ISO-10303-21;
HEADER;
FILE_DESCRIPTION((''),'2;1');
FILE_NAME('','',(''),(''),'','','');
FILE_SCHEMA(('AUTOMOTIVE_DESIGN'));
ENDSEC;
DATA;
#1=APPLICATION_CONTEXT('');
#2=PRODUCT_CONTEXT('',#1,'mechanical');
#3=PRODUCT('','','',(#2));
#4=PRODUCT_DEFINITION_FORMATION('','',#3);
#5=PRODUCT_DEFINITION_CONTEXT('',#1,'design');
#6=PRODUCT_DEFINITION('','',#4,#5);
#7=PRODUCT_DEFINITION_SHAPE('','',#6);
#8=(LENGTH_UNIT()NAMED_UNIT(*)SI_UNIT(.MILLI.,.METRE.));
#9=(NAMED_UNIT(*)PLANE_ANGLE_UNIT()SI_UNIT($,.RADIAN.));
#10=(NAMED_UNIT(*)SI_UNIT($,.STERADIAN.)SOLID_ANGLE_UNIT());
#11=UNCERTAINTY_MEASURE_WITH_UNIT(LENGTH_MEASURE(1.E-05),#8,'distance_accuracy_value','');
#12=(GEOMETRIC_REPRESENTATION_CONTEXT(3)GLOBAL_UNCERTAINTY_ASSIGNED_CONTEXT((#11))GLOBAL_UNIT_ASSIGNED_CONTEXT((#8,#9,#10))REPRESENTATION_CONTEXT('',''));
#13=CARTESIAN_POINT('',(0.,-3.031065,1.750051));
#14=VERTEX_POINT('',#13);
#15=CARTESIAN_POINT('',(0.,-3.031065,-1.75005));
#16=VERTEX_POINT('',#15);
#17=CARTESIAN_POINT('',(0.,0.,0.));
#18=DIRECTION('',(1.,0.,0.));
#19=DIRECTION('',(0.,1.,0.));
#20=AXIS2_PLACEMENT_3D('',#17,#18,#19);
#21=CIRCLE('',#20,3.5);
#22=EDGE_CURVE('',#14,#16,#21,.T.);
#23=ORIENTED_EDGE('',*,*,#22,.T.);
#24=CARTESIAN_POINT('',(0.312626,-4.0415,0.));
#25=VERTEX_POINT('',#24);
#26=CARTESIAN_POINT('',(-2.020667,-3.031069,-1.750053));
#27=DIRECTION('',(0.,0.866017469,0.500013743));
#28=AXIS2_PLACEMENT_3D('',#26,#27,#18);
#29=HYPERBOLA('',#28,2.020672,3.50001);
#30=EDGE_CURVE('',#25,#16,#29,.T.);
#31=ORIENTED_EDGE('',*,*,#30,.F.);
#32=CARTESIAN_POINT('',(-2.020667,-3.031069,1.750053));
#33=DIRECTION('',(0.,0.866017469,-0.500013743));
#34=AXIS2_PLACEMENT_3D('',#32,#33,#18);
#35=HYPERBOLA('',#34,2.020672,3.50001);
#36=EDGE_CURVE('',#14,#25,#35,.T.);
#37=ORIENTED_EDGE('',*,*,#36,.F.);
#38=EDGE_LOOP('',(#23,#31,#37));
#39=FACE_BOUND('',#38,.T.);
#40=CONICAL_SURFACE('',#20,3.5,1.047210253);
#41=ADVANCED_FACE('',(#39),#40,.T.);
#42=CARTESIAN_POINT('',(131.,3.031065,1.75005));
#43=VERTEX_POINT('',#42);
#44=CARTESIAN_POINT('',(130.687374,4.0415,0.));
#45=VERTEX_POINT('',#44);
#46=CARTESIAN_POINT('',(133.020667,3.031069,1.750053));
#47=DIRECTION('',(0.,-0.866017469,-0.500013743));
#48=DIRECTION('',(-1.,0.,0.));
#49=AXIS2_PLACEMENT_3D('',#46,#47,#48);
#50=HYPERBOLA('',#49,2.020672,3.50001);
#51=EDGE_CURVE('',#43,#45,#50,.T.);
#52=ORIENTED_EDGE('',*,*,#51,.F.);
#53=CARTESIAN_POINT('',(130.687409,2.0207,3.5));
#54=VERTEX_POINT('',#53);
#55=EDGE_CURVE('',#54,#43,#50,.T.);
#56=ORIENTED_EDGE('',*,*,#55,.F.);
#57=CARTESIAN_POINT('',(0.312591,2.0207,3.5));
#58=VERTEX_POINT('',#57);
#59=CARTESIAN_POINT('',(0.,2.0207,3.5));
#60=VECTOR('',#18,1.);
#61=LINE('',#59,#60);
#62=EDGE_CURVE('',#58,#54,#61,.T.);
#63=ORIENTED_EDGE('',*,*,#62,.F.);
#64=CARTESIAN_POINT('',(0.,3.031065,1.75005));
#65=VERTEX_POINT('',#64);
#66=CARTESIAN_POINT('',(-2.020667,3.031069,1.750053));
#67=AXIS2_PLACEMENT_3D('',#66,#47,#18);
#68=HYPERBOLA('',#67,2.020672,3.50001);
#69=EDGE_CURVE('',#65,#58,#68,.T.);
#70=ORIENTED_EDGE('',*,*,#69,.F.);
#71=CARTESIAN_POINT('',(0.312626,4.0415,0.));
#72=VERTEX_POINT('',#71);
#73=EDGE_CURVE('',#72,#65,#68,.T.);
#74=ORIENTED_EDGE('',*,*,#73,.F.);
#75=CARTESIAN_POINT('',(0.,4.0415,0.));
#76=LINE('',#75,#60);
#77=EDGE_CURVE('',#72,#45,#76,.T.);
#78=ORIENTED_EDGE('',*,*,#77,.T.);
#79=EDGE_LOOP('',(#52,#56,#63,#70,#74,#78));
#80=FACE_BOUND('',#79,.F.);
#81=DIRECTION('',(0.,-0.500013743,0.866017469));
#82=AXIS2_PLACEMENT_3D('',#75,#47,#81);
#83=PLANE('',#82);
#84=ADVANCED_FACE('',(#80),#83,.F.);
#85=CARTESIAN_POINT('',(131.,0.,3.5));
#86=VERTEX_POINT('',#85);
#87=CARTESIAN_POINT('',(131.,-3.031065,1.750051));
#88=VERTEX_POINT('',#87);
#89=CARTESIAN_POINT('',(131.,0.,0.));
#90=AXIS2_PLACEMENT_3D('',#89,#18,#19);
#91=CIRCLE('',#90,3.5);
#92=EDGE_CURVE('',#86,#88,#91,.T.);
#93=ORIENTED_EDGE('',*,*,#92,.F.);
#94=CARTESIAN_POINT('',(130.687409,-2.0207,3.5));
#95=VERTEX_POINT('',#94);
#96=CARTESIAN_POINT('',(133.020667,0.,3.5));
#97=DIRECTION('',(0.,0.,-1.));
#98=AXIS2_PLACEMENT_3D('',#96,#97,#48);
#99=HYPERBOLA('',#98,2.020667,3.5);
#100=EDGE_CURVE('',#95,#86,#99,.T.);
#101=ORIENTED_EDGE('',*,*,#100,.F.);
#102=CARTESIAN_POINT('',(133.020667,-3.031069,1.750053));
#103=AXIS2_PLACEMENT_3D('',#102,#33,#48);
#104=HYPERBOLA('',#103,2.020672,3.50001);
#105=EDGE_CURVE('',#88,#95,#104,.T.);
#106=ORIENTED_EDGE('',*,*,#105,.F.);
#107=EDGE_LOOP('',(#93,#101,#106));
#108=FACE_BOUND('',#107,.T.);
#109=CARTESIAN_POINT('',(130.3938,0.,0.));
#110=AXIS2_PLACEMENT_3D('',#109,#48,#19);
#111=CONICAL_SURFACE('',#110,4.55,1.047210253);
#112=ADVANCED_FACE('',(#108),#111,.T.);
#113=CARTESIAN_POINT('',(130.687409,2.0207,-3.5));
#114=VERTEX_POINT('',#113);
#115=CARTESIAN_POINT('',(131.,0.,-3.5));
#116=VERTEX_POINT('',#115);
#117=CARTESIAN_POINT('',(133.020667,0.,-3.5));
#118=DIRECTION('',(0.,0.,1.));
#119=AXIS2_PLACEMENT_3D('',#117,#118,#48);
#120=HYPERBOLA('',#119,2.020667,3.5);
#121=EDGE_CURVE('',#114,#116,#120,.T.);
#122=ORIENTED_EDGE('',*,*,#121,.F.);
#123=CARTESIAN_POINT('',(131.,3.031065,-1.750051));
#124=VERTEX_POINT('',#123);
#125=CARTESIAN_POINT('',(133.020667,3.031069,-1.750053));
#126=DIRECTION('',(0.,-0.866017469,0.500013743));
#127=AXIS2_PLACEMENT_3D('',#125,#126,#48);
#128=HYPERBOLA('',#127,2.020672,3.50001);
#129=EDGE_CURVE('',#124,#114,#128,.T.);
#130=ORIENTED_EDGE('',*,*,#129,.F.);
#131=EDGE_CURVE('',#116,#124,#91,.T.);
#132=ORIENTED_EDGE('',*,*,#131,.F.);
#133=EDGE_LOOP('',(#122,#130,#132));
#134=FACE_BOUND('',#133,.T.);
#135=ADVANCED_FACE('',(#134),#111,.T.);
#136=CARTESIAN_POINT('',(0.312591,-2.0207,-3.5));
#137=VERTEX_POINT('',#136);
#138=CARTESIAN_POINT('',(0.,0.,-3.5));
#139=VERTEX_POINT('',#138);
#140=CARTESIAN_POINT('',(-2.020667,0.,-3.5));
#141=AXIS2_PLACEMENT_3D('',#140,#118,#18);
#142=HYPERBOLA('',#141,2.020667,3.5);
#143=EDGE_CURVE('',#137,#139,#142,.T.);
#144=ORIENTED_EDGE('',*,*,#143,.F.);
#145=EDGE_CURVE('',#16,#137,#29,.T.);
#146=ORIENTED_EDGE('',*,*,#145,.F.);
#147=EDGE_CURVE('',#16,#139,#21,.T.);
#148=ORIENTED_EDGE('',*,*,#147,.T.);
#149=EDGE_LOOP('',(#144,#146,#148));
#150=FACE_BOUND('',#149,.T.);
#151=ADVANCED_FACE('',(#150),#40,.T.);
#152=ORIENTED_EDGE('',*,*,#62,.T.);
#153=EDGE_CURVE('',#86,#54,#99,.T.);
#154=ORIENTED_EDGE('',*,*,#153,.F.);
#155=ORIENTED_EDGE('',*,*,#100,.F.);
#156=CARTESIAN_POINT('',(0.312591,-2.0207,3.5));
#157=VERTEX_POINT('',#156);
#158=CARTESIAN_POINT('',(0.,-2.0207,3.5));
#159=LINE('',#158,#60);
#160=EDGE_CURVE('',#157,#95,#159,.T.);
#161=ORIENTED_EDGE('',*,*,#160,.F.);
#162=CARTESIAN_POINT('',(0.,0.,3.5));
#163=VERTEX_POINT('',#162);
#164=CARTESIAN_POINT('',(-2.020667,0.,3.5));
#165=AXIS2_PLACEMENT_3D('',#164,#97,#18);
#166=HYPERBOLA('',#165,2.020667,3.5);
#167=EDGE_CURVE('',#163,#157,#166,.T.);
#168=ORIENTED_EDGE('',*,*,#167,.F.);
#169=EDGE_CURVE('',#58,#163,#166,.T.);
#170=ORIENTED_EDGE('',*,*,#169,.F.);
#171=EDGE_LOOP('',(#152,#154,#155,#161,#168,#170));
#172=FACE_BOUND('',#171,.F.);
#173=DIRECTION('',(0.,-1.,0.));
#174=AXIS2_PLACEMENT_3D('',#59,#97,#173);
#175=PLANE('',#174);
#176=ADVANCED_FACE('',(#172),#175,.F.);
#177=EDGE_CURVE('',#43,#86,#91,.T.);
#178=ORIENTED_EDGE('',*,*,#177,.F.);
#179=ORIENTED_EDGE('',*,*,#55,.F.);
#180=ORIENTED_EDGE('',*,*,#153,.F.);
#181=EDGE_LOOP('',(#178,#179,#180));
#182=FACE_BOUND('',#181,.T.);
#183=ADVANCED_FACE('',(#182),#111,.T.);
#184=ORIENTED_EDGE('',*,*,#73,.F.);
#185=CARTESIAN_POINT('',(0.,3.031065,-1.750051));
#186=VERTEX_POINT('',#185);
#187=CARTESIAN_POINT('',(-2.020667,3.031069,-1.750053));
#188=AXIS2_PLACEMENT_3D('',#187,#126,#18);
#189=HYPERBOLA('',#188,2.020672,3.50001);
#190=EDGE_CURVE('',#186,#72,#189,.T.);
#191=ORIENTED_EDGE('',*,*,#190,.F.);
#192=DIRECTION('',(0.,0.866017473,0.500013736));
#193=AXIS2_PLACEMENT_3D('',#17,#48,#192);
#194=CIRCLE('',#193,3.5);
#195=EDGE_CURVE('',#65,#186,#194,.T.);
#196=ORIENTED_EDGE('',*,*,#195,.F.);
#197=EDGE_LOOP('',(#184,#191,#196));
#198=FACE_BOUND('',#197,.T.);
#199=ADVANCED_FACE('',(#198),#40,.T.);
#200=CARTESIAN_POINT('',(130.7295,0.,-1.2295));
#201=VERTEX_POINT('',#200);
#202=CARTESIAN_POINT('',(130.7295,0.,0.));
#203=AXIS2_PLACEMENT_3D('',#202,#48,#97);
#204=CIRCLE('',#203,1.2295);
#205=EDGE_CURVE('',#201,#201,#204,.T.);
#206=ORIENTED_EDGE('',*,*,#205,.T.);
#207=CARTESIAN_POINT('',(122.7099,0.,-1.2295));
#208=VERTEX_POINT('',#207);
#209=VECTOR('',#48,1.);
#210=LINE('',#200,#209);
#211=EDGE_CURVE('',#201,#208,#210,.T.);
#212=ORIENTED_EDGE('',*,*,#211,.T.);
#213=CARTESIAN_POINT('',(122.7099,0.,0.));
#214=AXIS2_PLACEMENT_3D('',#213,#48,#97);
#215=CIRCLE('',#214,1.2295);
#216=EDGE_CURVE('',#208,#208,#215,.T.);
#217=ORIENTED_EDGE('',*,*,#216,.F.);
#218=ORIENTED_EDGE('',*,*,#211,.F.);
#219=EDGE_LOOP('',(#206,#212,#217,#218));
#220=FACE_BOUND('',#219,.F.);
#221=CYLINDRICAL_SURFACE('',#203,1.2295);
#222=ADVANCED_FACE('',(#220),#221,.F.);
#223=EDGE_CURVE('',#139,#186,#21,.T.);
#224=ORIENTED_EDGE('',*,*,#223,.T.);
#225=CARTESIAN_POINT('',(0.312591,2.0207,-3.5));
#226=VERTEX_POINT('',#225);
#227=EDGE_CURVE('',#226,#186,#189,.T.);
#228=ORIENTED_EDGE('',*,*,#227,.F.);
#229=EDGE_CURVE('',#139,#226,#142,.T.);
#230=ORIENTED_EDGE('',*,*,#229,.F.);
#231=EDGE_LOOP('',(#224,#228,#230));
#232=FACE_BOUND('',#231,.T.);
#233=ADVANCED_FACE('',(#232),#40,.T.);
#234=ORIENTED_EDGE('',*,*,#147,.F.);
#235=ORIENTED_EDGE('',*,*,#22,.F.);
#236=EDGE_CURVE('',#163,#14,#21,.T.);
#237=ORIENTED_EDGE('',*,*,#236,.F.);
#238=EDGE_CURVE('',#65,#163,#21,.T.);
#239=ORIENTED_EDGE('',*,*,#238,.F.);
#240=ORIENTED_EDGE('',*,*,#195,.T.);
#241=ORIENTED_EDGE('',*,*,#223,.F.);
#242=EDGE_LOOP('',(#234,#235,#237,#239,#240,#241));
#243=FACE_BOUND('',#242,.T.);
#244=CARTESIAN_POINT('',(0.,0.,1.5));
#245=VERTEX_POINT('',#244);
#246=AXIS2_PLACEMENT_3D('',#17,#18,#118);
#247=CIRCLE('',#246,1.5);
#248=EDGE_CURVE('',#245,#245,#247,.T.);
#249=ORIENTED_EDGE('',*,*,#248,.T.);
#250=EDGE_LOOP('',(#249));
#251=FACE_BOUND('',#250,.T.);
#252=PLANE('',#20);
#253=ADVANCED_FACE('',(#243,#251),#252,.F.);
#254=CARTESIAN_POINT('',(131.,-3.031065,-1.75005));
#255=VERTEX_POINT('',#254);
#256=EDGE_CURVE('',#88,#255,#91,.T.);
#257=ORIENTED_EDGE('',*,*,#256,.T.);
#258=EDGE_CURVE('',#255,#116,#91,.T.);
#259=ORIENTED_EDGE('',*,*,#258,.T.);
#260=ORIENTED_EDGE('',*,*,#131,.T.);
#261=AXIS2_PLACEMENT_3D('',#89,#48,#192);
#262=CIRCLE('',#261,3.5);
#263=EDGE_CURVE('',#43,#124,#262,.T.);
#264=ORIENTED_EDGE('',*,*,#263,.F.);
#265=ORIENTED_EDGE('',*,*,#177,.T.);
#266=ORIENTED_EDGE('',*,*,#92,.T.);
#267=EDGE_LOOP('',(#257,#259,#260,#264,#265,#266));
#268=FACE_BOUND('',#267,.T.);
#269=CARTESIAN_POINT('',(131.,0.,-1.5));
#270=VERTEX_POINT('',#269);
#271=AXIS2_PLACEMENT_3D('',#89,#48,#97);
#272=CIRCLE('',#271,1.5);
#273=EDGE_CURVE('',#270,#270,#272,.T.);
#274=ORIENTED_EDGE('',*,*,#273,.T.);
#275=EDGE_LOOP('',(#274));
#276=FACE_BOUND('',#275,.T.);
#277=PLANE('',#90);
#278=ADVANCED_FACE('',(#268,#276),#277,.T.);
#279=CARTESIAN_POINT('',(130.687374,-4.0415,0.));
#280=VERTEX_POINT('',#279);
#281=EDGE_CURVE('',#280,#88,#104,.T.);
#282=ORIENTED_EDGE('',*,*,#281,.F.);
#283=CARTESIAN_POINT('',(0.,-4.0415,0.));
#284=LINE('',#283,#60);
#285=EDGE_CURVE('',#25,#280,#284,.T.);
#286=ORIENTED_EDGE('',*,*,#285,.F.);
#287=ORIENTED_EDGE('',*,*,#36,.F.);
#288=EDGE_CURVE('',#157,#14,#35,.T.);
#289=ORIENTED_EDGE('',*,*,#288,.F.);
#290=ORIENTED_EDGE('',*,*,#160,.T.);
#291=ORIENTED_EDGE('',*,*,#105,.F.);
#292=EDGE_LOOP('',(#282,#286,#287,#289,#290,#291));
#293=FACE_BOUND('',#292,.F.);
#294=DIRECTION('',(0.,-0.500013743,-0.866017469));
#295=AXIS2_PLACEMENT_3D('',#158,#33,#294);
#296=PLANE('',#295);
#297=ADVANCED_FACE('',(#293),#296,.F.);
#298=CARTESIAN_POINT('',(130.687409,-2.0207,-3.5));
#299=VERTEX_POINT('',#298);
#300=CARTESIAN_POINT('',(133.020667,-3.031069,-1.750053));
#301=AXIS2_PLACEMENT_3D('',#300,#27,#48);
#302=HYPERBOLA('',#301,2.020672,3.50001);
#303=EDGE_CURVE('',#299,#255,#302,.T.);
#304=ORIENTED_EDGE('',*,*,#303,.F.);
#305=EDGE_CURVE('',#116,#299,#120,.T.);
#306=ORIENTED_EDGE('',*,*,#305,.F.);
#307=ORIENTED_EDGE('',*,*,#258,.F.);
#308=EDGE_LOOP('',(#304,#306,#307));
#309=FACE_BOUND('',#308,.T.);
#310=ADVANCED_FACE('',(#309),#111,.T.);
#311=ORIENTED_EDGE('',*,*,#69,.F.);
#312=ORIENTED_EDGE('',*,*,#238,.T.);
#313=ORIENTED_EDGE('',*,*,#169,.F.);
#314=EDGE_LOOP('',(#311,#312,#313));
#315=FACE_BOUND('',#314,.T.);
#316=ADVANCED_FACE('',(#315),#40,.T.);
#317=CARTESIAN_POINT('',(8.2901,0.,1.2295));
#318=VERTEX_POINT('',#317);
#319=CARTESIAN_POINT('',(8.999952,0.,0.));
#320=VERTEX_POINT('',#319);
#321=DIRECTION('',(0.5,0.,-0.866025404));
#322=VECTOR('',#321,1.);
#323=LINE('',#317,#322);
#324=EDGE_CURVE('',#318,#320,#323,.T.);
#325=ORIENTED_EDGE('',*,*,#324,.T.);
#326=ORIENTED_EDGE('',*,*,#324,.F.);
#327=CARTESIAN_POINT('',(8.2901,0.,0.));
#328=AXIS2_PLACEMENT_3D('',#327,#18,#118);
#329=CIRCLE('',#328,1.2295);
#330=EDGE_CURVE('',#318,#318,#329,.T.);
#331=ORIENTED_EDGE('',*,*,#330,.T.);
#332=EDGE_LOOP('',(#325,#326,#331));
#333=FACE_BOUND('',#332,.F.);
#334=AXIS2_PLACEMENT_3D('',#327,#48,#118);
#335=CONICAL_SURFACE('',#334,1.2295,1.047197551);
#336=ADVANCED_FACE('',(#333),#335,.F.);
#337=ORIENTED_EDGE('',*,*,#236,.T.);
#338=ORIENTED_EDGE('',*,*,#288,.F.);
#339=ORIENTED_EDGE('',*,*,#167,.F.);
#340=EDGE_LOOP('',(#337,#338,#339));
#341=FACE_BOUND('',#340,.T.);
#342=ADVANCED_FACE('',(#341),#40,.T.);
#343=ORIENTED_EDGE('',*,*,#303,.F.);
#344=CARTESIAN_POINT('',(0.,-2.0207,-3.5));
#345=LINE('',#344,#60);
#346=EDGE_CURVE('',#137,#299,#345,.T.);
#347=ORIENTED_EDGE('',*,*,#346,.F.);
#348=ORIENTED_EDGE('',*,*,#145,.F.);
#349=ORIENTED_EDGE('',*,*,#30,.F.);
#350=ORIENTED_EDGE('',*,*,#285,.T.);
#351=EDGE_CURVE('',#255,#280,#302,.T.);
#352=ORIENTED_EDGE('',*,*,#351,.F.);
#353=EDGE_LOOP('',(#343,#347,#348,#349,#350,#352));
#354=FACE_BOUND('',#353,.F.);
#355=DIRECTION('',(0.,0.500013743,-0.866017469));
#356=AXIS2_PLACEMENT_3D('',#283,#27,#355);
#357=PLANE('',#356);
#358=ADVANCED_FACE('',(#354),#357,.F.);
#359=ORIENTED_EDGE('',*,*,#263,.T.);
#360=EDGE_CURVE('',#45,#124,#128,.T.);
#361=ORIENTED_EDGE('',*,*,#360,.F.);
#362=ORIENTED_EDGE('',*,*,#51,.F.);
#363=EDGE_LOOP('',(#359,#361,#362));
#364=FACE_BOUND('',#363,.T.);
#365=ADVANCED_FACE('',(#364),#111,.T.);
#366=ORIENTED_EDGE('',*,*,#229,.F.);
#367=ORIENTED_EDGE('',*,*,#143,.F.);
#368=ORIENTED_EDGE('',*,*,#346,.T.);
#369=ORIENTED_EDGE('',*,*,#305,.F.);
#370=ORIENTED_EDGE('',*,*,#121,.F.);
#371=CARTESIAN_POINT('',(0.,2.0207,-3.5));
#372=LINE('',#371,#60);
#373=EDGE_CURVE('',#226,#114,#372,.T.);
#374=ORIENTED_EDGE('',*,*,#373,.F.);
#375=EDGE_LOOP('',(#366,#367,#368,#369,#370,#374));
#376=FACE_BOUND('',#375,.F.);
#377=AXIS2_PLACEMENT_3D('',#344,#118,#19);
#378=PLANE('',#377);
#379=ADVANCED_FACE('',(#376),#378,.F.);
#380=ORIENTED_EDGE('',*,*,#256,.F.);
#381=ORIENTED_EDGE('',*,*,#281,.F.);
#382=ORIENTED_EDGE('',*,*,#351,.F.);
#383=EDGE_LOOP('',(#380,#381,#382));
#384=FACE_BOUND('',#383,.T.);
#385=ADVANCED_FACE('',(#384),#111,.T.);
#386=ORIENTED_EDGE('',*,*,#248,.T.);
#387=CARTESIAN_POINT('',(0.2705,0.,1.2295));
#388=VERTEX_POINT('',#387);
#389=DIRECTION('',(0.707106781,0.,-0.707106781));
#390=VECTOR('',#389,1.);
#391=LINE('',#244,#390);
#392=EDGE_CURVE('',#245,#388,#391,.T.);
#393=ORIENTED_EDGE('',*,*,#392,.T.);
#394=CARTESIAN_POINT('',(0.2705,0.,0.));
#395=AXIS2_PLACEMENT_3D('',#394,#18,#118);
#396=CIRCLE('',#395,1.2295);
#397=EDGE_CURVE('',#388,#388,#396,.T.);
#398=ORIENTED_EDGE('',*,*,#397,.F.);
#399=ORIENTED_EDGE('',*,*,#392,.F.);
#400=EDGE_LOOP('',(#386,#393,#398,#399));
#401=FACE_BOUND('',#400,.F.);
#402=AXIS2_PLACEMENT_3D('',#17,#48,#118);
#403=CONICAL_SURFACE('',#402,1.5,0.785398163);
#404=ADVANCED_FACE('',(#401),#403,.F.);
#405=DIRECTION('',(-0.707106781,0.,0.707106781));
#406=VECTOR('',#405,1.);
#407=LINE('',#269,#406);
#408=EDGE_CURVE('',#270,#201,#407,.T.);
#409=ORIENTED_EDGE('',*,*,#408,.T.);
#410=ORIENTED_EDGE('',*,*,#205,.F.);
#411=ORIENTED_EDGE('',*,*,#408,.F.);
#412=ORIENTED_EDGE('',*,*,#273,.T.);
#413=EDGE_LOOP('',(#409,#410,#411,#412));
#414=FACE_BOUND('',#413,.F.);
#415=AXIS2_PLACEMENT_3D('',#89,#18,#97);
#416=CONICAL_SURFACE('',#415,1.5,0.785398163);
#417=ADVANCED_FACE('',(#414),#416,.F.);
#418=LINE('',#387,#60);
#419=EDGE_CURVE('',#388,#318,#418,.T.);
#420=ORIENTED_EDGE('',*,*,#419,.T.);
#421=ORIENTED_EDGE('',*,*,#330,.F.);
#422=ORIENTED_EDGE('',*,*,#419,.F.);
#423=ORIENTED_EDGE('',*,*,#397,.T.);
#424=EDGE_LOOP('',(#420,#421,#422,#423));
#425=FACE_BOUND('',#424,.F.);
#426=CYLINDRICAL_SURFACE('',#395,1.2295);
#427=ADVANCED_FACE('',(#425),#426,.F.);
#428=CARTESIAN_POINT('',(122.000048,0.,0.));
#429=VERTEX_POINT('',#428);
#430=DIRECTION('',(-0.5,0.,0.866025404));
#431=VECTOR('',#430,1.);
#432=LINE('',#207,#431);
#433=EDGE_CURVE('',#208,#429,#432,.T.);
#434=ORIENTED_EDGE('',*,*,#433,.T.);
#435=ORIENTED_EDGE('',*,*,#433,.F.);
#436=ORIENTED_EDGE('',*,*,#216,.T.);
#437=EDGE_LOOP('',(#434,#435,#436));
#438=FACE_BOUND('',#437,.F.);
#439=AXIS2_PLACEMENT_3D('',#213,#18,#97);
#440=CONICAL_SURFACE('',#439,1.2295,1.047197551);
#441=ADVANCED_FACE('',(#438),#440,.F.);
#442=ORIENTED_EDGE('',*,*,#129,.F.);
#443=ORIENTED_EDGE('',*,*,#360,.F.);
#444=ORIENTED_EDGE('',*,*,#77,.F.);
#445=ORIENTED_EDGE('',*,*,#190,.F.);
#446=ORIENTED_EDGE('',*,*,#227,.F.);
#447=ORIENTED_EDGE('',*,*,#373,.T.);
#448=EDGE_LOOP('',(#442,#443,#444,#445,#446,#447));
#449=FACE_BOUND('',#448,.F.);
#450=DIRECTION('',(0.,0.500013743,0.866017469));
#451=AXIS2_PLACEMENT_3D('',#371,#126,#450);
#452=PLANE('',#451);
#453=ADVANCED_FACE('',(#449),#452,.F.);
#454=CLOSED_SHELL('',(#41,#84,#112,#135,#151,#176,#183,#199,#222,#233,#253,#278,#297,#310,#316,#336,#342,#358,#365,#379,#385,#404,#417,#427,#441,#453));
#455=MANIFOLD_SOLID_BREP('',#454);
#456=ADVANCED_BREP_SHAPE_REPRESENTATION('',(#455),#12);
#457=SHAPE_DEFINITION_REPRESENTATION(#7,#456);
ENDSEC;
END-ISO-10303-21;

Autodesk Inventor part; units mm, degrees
sketch "Sketch_1" plane through (0, 0, 0) normal (0, 0, 1) x (1, 0, 0)
  line L0 (131, 0) -> (0, 0)
  line L1 (0, 0) -> (0, 3.5)
  line L2 (0, 3.5) -> (0.6062, 4.55)
  line L3 (0.6062, 4.55) -> (130.3938, 4.55)
  line L4 (130.3938, 4.55) -> (131, 3.5)
  line L5 (131, 3.5) -> (131, 0)
  line L6 (131, 0) -> (0, 0)
revolve "Revolution1" add sketch "Sketch_1" angle 360 about axis through (131, 0, 0) along (1, 0, 0)
sketch "Sketch_2" plane through (0, 0, 0) normal (1, 0, 0) x (0, 1, 0)
  line L0 (7, 7) -> (-7, 7)
  line L1 (-7, 7) -> (-7, -7)
  line L2 (-7, -7) -> (7, -7)
  line L3 (7, -7) -> (7, 7)
  line L4 (-2.0207, 3.5) -> (-4.0415, 0)
  line L5 (-4.0415, 0) -> (-2.0207, -3.5)
  line L6 (-2.0207, -3.5) -> (2.0207, -3.5)
  line L7 (2.0207, -3.5) -> (4.0415, 0)
  line L8 (4.0415, 0) -> (2.0207, 3.5)
  line L9 (2.0207, 3.5) -> (-2.0207, 3.5)
extrude "Extrusion1" cut sketch "Sketch_2" along normal blind 131
sketch "Sketch3" plane through (0, 0, 0) normal (-1, 0, 0) x (0, 0, 1)
  point P0 (0, 0)
hole "Hole1" at (0, 0, 0) direction (1, 0, 0) diameter 2.459 depth 8.2901 tip angle 120 countersink diameter 3 countersink angle 90 thread size "M3x0.5" class "6H" standard "ISO Metric profile"
sketch "Sketch4" plane through (131, 0, 0) normal (1, 0, 0) x (0, 0, -1)
  point P0 (0, 0)
hole "Hole2" at (131, 0, 0) direction (-1, 0, 0) diameter 2.459 depth 8.2901 tip angle 120 countersink diameter 3 countersink angle 90 thread size "M3x0.5" class "6H" standard "ISO Metric profile"
ref_plane "C3_XY" through (131, 0, 0) normal (-1, 0, 0) x (0, 0, -1)
ref_plane "C3_YZ" through (131, 0, 0) normal (0, 0, -1) x (0, -1, 0)
ref_plane "C3_ZX" through (131, 0, 0) normal (0, -1, 0) x (-1, 0, 0)
properties part number "SLSBF7-131-M3-N3"
